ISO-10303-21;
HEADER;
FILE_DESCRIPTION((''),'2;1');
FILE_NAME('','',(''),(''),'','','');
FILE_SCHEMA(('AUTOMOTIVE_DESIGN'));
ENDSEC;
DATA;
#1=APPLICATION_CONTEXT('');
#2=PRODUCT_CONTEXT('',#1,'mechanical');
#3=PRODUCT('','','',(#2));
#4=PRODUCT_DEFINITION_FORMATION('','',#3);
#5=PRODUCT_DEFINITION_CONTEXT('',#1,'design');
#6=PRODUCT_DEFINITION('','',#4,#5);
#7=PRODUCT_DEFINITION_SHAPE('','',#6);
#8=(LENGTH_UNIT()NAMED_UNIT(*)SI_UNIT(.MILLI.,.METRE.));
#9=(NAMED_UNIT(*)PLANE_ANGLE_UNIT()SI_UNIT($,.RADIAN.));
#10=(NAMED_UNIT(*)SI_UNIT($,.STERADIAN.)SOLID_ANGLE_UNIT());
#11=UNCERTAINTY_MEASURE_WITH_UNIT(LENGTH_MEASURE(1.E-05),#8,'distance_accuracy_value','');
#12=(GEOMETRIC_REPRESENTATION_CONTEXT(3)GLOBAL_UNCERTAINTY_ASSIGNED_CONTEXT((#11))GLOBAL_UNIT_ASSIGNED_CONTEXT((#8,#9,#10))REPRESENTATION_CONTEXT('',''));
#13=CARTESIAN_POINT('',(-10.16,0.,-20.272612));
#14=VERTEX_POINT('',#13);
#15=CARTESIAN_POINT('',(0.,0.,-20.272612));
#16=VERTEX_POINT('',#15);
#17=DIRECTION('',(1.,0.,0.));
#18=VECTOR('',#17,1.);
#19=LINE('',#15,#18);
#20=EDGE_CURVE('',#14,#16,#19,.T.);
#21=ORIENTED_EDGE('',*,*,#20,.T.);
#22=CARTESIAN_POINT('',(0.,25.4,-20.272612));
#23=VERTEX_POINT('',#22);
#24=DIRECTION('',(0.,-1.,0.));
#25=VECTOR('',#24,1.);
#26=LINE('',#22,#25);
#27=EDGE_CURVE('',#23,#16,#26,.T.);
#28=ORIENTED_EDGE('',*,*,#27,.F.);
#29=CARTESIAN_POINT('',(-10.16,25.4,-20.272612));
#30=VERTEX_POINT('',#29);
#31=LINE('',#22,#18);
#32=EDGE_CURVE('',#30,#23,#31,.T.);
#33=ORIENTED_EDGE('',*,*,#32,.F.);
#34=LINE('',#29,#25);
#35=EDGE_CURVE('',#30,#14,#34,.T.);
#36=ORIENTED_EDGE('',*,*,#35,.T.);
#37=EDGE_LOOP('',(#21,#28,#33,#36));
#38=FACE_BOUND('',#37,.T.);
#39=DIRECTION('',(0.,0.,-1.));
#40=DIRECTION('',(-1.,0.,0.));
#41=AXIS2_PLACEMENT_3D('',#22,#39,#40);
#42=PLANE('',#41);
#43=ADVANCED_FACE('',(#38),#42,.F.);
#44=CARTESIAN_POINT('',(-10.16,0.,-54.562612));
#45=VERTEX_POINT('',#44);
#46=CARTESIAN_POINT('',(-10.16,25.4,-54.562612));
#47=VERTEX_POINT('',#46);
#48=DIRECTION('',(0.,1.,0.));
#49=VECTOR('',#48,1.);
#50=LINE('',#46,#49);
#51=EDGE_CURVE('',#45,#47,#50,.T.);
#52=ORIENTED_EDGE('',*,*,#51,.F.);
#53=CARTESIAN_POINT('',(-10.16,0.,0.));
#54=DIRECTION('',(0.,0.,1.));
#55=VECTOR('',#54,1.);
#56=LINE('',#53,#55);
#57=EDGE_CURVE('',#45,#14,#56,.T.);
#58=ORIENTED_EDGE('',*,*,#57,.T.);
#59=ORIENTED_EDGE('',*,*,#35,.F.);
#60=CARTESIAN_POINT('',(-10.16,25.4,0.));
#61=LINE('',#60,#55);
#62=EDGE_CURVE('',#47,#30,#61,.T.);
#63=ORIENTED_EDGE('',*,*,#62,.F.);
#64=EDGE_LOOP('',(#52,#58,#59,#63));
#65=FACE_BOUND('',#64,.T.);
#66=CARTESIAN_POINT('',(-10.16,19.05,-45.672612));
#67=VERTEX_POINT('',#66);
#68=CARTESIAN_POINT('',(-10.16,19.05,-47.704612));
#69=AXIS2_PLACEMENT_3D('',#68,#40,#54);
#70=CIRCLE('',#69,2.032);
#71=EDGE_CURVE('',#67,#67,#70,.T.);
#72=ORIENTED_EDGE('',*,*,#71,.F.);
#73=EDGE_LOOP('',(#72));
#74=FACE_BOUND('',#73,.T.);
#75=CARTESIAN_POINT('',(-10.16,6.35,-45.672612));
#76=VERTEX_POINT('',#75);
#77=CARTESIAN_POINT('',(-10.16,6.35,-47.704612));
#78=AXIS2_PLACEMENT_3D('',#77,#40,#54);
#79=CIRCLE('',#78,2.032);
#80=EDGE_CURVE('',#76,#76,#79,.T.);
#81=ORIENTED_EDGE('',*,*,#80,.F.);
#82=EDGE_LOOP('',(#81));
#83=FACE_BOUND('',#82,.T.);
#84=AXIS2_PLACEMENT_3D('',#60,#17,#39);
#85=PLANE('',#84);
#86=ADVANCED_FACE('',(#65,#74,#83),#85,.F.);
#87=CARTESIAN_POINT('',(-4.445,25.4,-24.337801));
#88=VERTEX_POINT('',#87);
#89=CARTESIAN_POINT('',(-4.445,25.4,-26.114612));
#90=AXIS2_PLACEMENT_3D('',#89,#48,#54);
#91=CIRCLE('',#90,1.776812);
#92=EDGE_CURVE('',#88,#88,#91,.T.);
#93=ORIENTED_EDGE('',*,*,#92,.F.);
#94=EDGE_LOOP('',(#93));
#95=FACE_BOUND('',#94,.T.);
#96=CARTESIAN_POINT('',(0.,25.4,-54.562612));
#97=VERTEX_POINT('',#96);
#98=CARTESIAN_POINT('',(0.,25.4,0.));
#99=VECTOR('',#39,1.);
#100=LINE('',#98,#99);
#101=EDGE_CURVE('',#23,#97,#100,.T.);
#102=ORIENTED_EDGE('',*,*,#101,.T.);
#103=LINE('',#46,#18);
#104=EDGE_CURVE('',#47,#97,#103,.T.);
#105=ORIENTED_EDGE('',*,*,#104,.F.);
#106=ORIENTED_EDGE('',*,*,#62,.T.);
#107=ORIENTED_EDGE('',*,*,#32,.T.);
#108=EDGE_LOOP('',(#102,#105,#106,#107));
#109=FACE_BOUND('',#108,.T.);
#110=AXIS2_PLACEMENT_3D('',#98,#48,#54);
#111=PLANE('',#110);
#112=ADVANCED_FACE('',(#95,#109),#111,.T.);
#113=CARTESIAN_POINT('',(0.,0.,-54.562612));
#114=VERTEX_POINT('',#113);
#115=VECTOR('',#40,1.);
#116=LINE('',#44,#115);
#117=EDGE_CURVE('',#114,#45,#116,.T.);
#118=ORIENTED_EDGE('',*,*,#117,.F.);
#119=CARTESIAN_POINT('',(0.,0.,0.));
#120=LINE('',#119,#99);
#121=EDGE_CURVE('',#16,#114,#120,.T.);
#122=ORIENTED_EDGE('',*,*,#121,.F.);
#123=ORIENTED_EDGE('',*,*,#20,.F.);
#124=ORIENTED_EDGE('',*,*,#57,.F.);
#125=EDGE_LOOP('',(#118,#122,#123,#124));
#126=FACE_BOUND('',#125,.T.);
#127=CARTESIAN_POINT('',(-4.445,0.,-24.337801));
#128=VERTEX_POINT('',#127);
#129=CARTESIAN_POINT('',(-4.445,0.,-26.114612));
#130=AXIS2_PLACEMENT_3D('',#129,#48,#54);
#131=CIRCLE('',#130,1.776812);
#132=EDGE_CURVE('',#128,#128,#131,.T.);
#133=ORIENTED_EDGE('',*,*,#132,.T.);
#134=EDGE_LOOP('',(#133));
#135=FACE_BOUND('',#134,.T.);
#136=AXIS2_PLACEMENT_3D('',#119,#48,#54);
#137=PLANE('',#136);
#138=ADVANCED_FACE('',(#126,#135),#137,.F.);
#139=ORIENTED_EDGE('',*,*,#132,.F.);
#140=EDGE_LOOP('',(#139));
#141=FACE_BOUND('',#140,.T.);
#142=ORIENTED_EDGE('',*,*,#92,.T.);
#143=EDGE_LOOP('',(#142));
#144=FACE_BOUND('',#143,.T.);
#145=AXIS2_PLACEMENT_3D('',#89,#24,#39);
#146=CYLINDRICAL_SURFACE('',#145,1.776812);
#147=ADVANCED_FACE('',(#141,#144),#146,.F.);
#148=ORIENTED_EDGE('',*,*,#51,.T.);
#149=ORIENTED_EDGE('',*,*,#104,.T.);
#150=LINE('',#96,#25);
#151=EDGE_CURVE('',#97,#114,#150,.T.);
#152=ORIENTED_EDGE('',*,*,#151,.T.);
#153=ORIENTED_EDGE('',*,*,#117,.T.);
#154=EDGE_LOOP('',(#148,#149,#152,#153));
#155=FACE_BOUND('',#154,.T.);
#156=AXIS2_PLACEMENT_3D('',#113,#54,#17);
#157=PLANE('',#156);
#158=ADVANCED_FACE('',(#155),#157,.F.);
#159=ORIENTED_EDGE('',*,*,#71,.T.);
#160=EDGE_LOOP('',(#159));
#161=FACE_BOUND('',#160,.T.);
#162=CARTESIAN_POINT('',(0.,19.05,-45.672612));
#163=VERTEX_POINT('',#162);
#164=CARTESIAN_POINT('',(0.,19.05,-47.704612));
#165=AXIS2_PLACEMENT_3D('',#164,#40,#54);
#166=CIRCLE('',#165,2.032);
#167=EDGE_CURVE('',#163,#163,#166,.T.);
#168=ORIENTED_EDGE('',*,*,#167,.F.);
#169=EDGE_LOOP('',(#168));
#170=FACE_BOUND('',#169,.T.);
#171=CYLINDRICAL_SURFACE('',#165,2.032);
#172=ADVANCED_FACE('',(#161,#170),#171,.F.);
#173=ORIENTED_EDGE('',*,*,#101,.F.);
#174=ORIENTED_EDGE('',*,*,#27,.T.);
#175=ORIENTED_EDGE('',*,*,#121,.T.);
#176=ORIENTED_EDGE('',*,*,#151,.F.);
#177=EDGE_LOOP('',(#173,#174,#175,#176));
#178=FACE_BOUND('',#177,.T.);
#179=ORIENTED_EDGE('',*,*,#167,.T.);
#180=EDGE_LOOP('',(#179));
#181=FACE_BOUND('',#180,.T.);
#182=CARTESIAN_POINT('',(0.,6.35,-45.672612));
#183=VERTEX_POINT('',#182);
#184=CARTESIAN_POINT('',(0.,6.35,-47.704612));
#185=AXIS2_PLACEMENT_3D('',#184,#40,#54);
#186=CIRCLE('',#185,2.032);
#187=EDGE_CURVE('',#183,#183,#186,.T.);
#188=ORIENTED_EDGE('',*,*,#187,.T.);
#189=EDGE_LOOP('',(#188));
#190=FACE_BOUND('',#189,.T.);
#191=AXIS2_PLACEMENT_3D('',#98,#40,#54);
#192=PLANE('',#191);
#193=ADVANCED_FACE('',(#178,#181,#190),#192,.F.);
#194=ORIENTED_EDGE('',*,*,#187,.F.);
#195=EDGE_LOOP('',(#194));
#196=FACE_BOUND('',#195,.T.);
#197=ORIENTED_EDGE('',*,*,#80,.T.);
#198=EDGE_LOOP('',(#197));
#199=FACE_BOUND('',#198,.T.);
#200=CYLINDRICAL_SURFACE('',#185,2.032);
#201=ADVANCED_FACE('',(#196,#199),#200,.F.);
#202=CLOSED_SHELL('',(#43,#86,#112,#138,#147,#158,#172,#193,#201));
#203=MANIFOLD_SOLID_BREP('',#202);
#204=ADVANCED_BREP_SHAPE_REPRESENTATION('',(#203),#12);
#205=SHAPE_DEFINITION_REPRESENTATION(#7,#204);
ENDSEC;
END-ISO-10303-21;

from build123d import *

# Parameters (mm, degrees)
SKETCH1_W           = 10.16
SKETCH1_H           = 25.4
SKETCH1_R           = 1.776811913
BOSS_EXTRUDE1_DEPTH = 25.4
SKETCH2_W           = 10.16
SKETCH2_H           = 25.4
BOSS_EXTRUDE2_DEPTH = 5.08
SKETCH4_W           = 10.16
SKETCH4_H           = 25.4
BOSS_EXTRUDE3_DEPTH = 3.81
SKETCH3_R           = 2.032
CUT_EXTRUDE1_DEPTH  = 62.036581459


with BuildPart() as part:
    # Sketch1 → Boss-Extrude1 (new body)
    with BuildSketch(Plane(origin=(0, 0, 0), x_dir=(1, 0, 0), z_dir=(0, 1, 0))):
        with Locations((-5.08, 32.972612439)):
            Rectangle(SKETCH1_W, SKETCH1_H)
        with Locations(Location((-4.445, 26.114612439, 0), (0, 0, 270))):
            Circle(SKETCH1_R, mode=Mode.SUBTRACT)
    extrude(amount=BOSS_EXTRUDE1_DEPTH)

    # Sketch2 → Boss-Extrude2 (add)
    with BuildSketch(Plane(origin=(0, 0, -45.672612439), x_dir=(-1, 0, 0), z_dir=(0, 0, -1))):
        with Locations((5.08, 12.7)):
            Rectangle(SKETCH2_W, SKETCH2_H)
    extrude(amount=BOSS_EXTRUDE2_DEPTH)

    # Sketch4 → Boss-Extrude3 (add)
    with BuildSketch(Plane(origin=(0, 0, -50.752612439), x_dir=(-1, 0, 0), z_dir=(0, 0, -1))):
        with Locations((5.08, 12.7)):
            Rectangle(SKETCH4_W, SKETCH4_H)
    extrude(amount=BOSS_EXTRUDE3_DEPTH)

    # Sketch3 → Cut-Extrude1 (cut, through all)
    with BuildSketch(Plane.ZY.offset(10.16)):
        with Locations((-47.704612439, 19.05)):
            Circle(SKETCH3_R)
        with Locations((-47.704612439, 6.35)):
            Circle(SKETCH3_R)
    extrude(amount=-CUT_EXTRUDE1_DEPTH, mode=Mode.SUBTRACT)


solid = part.part
